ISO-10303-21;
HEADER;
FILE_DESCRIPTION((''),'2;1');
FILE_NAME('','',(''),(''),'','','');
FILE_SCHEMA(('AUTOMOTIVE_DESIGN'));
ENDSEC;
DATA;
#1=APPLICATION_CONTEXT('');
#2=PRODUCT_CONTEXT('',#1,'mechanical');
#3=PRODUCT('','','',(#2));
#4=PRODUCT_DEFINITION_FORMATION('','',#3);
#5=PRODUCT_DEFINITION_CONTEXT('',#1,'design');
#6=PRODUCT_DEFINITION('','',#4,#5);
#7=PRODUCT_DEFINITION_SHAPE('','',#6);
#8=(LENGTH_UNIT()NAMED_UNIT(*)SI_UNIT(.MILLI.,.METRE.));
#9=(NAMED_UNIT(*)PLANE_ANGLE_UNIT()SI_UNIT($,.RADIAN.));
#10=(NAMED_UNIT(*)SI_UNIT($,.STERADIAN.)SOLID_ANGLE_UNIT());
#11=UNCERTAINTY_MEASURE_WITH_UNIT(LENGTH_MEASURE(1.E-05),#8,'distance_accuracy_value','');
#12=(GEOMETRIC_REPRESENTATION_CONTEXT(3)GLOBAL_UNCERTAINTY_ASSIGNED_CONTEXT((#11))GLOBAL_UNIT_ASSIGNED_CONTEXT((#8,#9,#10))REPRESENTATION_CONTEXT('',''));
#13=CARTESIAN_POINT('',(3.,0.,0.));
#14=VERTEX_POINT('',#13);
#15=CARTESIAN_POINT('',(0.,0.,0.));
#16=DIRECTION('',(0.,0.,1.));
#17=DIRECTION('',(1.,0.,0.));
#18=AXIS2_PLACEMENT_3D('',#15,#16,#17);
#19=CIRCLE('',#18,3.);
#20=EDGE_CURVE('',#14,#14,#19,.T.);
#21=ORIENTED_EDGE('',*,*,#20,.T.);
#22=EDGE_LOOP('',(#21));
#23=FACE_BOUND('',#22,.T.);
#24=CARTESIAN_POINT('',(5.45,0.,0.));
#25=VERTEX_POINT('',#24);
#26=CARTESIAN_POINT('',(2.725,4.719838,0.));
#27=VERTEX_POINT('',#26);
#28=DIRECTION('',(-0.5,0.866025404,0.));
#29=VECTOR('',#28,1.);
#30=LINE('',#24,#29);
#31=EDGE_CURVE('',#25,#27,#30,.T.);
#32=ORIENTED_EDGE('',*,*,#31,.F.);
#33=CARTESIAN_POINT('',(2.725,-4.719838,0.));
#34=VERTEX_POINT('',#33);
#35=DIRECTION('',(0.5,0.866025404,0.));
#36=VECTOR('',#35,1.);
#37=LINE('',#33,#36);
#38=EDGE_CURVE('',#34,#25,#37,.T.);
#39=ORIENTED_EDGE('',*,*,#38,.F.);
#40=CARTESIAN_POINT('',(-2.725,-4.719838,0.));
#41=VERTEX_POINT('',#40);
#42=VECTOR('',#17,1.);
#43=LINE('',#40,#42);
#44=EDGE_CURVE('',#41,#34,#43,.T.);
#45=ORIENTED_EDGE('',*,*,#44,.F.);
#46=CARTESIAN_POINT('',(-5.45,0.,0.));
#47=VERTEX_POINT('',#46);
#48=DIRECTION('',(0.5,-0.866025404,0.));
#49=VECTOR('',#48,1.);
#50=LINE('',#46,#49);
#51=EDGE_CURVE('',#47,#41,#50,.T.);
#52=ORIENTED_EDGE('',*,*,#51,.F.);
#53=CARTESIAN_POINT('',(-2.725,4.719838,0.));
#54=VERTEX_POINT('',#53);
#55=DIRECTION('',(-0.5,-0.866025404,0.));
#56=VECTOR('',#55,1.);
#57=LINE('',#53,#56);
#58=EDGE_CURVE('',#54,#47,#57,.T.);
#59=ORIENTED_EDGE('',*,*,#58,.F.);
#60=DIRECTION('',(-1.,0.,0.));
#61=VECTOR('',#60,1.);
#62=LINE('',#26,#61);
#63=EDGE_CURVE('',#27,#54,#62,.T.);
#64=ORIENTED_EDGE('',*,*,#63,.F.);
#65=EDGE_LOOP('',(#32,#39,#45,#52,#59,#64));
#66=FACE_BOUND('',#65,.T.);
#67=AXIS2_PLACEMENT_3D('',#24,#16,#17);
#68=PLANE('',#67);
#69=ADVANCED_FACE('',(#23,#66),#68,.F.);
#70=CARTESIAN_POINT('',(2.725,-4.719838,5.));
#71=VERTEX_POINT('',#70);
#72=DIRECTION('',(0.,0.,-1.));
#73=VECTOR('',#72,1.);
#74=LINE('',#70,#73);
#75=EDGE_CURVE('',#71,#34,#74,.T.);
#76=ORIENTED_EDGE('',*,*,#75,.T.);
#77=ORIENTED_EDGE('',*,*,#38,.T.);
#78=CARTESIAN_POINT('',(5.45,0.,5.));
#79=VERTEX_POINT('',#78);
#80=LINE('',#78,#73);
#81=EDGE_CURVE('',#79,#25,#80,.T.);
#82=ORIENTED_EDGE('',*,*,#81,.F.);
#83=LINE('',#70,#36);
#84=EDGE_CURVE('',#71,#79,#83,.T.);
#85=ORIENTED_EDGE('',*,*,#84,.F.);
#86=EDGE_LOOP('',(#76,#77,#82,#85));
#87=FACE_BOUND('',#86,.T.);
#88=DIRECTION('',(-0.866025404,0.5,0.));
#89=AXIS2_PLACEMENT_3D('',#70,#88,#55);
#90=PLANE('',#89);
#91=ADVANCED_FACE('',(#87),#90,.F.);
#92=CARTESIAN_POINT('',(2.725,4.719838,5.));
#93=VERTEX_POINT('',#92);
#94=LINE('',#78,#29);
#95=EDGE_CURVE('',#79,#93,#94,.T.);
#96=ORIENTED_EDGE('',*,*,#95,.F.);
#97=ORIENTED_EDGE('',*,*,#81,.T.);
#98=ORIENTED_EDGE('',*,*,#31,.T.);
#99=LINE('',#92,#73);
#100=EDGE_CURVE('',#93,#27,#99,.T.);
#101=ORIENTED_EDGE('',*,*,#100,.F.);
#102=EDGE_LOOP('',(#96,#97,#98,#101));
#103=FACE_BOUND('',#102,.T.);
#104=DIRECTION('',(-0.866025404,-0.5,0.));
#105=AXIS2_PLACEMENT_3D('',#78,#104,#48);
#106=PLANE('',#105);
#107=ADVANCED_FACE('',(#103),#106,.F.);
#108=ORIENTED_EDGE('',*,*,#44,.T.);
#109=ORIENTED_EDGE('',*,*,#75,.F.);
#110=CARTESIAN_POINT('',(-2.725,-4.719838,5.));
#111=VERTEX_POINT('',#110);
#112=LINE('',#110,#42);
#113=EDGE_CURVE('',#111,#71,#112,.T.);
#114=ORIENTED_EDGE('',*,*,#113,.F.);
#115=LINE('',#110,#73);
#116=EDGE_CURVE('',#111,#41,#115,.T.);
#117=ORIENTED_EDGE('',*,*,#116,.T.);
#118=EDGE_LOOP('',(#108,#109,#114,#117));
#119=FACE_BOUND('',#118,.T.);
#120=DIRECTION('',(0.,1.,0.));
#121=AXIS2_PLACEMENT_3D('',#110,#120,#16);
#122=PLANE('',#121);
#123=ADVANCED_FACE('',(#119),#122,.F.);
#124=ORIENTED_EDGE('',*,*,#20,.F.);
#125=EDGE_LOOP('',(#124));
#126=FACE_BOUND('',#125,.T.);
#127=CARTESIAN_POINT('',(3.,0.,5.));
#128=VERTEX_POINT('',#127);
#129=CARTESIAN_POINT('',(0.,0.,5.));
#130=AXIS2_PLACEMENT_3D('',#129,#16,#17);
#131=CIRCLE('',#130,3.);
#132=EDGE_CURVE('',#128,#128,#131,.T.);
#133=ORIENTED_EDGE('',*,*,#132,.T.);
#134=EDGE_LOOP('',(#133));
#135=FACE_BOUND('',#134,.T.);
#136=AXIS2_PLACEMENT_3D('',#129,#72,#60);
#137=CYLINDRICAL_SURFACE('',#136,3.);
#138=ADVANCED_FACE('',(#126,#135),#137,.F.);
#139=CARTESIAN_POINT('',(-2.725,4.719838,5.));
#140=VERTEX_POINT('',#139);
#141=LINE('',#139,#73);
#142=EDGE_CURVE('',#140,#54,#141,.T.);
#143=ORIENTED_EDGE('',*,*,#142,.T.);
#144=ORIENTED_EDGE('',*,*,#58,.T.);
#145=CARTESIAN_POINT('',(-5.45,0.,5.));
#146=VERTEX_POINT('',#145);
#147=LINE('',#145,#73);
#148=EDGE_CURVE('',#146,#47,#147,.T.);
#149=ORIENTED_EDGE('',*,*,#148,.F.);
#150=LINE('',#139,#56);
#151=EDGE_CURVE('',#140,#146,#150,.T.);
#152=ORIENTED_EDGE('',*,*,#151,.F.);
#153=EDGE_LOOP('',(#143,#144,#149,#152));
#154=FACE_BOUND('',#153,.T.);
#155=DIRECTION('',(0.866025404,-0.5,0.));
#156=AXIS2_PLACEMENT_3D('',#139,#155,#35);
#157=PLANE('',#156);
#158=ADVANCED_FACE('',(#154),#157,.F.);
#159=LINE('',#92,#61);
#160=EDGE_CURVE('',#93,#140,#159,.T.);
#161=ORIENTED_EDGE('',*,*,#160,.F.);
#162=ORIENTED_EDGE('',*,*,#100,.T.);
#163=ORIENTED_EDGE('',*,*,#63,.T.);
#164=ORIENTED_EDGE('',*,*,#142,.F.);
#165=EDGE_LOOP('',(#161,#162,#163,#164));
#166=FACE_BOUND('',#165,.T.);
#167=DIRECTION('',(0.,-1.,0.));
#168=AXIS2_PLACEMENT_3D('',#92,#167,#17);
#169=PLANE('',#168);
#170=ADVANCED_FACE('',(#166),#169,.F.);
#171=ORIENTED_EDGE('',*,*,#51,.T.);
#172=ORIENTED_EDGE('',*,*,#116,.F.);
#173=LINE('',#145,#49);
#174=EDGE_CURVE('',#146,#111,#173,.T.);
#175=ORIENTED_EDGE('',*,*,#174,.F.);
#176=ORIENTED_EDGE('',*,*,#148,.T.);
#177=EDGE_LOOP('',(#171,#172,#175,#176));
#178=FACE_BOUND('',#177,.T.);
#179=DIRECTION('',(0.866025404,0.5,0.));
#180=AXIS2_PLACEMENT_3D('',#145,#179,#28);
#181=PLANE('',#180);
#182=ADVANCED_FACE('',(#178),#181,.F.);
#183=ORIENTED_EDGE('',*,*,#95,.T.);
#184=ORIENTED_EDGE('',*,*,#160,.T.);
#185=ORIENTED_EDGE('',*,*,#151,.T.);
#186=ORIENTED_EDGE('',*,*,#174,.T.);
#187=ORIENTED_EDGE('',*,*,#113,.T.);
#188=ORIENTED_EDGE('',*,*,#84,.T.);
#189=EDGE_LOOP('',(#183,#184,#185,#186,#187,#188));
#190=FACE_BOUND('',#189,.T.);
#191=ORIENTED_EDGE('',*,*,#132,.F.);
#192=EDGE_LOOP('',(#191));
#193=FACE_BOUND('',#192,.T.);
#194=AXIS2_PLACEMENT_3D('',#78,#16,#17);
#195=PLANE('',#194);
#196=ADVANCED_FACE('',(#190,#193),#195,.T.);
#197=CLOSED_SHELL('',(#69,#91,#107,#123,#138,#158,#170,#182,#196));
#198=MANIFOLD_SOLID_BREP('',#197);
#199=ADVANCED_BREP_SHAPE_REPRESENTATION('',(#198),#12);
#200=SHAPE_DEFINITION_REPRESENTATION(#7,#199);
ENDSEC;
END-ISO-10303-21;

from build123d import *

# Parameters (mm, degrees)
SKETCH1_R           = 3
BOSS_EXTRUDE1_DEPTH = 5


with BuildPart() as part:
    # Sketch1 → Boss-Extrude1 (new body)
    with BuildSketch(Plane.XY):
        Polygon((5.45, 0), (2.725, 4.719838451), (-2.725, 4.719838451), (-5.45, 0), (-2.725, -4.719838451), (2.725, -4.719838451), align=None)
        Circle(SKETCH1_R, mode=Mode.SUBTRACT)
    extrude(amount=BOSS_EXTRUDE1_DEPTH)


solid = part.part
